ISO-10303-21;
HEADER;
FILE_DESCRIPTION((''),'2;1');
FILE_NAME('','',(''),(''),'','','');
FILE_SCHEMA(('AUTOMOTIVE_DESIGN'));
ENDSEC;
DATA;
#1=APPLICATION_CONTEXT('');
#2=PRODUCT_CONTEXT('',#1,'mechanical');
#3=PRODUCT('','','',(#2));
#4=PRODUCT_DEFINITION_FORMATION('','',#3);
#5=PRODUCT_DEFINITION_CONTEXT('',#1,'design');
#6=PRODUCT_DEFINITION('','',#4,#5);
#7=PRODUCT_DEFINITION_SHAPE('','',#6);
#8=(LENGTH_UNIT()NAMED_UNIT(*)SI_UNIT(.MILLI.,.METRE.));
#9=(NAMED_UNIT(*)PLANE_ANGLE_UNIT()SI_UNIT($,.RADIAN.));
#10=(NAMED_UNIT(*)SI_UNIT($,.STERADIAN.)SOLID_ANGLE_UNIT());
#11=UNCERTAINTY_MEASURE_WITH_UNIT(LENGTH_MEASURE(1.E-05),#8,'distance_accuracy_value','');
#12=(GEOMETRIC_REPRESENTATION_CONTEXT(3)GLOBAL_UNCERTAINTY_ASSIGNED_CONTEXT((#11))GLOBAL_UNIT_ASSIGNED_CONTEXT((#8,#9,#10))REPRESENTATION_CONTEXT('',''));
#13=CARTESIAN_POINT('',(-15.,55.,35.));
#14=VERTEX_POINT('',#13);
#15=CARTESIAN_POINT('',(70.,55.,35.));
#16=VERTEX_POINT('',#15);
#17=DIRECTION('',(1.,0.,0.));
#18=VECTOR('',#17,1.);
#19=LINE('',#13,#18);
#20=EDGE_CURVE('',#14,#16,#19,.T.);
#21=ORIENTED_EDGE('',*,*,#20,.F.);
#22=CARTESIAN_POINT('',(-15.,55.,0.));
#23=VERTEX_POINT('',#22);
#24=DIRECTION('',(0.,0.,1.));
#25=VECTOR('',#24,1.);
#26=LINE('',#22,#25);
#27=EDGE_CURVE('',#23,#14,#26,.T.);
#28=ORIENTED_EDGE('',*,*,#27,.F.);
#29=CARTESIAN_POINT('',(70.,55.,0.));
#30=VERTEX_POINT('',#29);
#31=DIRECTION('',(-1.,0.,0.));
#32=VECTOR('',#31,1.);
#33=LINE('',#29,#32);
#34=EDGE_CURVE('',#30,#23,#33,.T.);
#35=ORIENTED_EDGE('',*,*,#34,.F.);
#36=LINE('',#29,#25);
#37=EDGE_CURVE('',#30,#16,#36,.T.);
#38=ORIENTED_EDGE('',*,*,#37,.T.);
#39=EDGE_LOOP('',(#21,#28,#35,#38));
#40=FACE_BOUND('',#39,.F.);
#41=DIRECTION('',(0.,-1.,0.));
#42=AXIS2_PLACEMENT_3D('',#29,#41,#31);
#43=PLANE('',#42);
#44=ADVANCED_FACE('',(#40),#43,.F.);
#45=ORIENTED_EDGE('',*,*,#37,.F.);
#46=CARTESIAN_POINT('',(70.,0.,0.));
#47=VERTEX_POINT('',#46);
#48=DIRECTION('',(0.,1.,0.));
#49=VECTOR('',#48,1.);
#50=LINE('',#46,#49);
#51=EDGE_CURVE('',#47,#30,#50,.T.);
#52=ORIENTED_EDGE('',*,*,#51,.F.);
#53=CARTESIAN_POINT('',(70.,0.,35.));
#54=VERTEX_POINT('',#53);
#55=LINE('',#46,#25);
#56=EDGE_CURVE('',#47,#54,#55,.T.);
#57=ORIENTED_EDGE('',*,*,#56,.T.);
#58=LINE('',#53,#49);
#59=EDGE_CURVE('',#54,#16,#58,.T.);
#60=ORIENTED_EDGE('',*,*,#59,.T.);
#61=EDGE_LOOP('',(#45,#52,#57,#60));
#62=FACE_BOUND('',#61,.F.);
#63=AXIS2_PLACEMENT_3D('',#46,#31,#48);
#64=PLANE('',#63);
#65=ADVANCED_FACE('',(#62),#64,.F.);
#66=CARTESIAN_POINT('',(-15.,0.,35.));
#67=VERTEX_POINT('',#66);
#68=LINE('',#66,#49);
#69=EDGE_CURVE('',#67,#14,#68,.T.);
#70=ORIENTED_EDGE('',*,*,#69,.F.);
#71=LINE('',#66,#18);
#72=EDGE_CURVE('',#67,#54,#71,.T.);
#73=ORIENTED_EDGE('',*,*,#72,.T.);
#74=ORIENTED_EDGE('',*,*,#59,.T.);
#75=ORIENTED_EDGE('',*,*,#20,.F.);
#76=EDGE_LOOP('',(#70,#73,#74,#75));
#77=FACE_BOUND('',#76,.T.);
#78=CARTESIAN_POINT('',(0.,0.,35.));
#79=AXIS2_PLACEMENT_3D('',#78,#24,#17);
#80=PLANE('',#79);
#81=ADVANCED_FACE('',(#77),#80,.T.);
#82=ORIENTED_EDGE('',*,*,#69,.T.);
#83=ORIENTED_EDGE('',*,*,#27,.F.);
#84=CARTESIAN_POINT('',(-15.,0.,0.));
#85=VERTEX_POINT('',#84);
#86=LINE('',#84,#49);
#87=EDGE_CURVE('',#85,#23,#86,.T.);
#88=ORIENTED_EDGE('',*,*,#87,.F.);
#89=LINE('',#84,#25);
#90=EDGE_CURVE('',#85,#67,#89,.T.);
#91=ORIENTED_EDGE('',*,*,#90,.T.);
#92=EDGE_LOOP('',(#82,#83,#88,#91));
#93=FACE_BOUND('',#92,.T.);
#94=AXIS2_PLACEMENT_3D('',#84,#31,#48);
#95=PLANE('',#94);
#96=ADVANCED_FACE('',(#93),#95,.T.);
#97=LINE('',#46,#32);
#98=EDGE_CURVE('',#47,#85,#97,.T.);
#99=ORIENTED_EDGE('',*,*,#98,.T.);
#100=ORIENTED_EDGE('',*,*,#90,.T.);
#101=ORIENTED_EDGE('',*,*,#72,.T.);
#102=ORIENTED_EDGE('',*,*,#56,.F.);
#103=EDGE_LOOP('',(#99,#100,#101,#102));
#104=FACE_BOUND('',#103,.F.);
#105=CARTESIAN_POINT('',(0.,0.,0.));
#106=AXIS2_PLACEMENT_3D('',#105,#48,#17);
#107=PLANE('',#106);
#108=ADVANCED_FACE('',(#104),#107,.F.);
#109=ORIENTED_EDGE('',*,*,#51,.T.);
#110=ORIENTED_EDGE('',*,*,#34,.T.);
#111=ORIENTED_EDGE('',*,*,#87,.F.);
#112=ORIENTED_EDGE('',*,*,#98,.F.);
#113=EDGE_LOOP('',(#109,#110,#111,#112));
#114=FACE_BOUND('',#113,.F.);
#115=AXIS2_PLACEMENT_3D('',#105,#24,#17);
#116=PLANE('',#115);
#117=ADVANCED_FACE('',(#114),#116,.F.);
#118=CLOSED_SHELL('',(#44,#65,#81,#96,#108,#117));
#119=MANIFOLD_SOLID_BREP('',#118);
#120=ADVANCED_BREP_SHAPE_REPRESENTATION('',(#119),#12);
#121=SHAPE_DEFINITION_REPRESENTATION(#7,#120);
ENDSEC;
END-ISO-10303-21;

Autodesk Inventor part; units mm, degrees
ref_plane "YZ Plane" through (0, 0, 0) normal (1, 0, 0) x (0, 1, 0)
ref_plane "XZ Plane" through (0, 0, 0) normal (0, 1, 0) x (-1, 0, 0)
ref_plane "XY Plane" through (0, 0, 0) normal (0, 0, 1) x (1, 0, 0)
sketch "スケッチ1" plane through (0, 0, 0) normal (0, 0, 1) x (1, 0, 0)
  line L0 (0, 0) -> (70, 0)
  line L1 (70, 0) -> (70, 55)
  line L2 (70, 55) -> (0, 55)
  line L3 (0, 55) -> (0, 0)
  dimension "d1" = 70
  dimension "d2" = 55
extrude "押し出し1" add sketch "スケッチ1" along normal blind 35
sketch "スケッチ2" plane through (0, 0, 0) normal (0, 0, -1) x (-1, 0, 0)
  line L0 (0, 0) -> (-70, 0) projected
  line L1 (0, 55) -> (0, 0) projected
  line L2 (-70, 55) -> (0, 55) projected
  line L3 (-70, 0) -> (-70, 55) projected
  line L4 (0, 0) -> (15, 0)
  line L5 (15, 0) -> (15, 55)
  line L6 (-70, 55) -> (0, 55) projected
  line L7 (15, 55) -> (0, 55)
  dimension "d5" = 15
extrude "押し出し2" add sketch "スケッチ2" against normal blind 35 contours L1 L7 L5 L4
properties part number "回路2"
